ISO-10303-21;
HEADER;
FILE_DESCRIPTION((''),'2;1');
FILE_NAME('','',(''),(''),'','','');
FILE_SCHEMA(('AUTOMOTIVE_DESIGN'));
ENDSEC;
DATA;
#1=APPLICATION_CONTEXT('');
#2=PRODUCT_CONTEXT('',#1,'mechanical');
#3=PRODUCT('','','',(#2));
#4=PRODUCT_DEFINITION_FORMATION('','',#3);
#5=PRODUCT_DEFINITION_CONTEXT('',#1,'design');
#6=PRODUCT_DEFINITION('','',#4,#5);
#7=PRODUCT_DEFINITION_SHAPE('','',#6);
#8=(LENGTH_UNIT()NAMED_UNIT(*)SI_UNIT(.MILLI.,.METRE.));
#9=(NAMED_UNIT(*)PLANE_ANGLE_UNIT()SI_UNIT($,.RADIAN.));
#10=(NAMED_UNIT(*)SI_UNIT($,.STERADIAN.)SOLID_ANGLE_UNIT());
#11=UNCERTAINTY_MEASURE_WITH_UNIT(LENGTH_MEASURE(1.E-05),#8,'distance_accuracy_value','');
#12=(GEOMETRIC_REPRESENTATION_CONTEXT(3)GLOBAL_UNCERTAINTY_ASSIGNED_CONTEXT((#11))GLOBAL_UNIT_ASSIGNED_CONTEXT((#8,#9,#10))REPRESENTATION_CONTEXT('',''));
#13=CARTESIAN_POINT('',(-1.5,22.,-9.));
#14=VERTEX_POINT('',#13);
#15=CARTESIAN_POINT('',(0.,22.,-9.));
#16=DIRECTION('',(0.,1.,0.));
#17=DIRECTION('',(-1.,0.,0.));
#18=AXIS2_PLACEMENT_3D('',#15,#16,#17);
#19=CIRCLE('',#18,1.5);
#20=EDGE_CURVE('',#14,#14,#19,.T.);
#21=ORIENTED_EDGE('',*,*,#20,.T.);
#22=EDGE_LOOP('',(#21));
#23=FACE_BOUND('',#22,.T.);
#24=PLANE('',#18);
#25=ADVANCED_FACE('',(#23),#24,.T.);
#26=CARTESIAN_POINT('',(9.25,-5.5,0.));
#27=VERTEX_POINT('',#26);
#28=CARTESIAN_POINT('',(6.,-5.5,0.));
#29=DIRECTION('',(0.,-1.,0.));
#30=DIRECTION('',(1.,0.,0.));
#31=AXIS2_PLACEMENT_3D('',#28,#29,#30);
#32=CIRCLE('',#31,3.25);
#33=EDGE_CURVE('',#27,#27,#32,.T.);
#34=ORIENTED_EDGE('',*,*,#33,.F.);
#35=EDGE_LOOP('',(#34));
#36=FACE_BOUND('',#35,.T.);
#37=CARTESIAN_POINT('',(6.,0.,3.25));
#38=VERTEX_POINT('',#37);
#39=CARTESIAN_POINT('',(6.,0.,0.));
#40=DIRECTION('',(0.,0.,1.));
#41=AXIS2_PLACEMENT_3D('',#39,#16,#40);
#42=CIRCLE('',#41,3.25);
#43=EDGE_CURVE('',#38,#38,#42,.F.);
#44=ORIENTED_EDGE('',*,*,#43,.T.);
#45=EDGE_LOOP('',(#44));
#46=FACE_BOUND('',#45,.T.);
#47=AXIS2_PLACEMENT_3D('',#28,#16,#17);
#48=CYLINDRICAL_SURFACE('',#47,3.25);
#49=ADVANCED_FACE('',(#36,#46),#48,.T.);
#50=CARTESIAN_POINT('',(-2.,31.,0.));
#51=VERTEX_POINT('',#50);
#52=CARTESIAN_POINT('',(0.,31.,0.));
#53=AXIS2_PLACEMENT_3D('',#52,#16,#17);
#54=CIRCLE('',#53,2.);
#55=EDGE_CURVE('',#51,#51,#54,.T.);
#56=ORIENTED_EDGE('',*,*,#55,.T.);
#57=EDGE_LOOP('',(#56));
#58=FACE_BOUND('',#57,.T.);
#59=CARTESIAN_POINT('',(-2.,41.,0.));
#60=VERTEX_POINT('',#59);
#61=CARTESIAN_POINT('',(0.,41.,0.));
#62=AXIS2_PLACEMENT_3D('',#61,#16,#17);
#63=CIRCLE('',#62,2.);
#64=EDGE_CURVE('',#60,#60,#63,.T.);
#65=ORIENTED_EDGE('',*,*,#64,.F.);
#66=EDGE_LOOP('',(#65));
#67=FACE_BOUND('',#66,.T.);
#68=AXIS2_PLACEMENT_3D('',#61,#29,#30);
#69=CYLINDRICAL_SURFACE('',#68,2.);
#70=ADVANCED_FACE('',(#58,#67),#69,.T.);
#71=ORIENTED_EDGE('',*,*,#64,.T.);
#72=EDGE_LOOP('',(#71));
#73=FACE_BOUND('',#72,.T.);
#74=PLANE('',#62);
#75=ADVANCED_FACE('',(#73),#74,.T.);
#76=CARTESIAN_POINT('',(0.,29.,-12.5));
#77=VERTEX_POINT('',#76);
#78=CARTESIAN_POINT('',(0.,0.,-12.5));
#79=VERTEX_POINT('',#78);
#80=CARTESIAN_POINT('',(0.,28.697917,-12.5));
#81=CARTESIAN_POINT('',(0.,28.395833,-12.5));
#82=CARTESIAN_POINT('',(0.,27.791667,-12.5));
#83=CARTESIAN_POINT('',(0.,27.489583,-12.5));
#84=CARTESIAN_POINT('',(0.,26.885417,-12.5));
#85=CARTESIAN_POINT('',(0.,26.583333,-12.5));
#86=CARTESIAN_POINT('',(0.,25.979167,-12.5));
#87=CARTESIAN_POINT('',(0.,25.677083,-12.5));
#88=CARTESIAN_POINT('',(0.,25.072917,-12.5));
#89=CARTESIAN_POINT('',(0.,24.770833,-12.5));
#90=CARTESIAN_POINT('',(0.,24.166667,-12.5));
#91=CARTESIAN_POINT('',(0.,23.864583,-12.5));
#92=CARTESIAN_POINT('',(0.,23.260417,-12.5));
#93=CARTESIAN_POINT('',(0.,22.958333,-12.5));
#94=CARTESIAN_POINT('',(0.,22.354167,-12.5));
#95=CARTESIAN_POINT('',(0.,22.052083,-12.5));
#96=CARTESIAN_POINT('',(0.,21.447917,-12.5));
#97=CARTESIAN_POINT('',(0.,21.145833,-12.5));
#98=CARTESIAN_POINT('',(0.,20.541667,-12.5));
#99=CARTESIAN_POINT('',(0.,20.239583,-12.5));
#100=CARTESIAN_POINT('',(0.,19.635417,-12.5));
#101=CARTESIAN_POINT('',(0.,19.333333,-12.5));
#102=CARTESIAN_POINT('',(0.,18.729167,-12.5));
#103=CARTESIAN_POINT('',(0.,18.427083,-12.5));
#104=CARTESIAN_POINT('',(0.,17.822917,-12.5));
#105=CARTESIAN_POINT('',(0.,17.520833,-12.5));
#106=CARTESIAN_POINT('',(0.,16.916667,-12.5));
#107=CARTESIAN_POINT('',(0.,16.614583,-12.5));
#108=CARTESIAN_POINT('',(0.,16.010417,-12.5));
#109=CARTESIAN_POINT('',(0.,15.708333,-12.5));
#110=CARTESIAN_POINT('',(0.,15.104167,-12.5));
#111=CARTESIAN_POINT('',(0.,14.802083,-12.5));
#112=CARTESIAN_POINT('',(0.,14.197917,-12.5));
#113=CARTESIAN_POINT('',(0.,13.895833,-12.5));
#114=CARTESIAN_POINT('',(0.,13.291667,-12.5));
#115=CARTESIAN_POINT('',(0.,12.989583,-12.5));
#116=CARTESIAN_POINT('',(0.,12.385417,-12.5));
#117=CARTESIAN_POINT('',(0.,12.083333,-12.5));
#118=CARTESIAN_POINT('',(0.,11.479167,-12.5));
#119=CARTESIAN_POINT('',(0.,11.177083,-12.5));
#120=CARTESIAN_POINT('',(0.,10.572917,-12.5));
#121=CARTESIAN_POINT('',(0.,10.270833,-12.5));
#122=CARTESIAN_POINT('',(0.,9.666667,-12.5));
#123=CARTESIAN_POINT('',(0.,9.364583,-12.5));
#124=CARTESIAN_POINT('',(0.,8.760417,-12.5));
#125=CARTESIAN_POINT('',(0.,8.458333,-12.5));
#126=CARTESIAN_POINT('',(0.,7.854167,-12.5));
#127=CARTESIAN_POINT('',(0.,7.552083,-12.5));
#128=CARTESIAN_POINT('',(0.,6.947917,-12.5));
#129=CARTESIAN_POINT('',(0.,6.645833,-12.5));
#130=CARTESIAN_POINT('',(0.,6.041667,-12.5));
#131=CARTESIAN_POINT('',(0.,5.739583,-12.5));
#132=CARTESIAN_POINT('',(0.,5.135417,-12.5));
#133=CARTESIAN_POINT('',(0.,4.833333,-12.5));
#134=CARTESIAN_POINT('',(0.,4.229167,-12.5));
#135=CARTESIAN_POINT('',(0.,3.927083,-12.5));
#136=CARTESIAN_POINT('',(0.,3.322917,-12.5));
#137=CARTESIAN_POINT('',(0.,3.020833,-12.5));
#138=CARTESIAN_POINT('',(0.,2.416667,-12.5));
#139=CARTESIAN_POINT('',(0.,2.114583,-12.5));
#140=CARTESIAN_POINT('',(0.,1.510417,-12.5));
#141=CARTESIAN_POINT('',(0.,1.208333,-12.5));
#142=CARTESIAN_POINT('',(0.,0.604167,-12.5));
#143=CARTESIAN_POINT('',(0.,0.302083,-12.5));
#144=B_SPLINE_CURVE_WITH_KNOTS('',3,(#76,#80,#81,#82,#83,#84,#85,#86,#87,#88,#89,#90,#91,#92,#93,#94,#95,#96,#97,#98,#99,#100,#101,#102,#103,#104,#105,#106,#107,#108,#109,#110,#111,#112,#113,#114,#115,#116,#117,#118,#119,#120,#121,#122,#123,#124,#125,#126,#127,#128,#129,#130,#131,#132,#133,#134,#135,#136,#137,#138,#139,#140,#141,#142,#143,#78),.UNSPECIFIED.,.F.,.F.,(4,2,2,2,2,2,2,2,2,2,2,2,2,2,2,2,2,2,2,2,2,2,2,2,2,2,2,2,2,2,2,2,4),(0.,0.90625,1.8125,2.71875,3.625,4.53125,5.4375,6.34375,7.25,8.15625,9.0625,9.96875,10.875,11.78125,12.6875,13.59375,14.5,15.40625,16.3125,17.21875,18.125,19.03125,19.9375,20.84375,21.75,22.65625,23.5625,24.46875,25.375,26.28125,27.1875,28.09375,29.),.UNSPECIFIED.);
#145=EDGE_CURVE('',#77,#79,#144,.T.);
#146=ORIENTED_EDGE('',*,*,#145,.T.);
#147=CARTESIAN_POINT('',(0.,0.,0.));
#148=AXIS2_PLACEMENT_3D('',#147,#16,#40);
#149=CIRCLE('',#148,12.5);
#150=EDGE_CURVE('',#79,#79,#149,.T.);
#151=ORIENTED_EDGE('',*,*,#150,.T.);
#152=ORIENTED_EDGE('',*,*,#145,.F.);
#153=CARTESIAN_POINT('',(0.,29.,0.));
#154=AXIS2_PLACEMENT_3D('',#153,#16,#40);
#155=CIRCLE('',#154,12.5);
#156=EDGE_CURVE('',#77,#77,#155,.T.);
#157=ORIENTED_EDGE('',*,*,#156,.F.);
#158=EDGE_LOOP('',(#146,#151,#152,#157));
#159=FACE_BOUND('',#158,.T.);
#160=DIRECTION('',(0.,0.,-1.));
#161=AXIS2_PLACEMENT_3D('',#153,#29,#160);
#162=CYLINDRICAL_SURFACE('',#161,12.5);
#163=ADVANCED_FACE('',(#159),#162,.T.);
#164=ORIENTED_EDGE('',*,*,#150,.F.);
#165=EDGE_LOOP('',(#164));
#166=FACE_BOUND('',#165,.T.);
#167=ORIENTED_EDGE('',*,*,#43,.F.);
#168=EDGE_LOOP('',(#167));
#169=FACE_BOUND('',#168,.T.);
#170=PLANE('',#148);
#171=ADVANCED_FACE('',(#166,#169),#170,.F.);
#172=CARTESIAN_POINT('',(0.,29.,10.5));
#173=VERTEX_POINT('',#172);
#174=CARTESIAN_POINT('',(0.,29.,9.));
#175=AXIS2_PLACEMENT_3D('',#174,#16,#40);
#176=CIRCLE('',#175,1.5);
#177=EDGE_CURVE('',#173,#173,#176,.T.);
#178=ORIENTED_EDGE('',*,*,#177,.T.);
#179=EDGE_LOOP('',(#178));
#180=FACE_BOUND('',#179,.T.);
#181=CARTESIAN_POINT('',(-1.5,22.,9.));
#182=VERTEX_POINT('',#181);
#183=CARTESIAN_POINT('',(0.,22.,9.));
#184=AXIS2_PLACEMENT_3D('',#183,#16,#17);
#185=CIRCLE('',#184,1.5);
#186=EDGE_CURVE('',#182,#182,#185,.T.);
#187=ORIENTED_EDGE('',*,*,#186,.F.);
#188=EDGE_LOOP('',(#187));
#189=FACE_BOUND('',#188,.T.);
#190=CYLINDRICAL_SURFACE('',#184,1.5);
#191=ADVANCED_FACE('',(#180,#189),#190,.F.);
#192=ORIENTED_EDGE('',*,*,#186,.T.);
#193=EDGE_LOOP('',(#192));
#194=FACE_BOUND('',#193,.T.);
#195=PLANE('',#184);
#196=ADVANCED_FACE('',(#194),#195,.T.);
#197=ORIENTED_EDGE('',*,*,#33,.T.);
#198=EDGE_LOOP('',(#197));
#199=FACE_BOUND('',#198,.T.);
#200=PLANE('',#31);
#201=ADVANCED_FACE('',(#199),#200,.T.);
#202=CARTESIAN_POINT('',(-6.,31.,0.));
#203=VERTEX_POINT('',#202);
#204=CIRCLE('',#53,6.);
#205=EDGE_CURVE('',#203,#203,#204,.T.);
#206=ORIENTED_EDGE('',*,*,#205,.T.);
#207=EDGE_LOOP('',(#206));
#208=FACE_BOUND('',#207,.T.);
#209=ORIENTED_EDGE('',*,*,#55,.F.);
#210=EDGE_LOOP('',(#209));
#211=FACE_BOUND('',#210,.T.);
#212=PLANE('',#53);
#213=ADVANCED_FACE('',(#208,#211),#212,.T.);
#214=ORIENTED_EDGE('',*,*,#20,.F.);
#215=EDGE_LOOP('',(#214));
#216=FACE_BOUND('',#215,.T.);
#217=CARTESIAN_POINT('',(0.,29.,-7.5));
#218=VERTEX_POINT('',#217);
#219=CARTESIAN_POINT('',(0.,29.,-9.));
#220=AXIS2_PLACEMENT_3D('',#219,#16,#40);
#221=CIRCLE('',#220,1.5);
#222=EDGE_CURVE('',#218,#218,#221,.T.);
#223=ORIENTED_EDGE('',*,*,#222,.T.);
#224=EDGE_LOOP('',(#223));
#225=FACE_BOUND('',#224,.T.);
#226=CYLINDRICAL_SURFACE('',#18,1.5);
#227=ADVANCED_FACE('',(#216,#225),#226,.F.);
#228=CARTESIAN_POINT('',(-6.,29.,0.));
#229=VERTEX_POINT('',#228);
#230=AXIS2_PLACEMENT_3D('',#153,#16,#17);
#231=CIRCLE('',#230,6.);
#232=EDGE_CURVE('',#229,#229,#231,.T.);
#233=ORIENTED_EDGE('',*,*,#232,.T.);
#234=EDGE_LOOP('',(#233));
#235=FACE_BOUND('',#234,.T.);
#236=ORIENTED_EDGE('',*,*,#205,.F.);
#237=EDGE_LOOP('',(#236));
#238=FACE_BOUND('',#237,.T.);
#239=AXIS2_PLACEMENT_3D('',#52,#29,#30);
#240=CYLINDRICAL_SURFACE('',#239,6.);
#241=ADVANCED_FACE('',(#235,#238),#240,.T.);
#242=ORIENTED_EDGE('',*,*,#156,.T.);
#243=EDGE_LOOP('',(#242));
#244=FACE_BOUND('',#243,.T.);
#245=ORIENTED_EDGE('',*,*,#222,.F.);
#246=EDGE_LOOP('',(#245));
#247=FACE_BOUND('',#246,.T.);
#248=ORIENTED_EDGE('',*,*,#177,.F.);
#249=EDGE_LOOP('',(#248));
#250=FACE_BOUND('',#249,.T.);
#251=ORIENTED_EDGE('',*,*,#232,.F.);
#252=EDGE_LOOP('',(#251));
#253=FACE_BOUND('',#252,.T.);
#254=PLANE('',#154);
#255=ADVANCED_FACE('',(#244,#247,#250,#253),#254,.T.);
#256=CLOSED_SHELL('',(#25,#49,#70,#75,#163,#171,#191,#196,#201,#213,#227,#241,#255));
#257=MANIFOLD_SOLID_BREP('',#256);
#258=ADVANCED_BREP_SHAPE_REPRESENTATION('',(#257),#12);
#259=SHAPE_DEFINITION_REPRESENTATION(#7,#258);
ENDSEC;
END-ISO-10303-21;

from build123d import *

# Parameters (mm, degrees)
SKETCH_1_R          = 12.5
EXTRUDE_3_DEPTH     = 29
SKETCH_4_R          = 6
EXTRUDE_4_DEPTH     = 2
SKETCH_5_R          = 2
EXTRUDE_5_DEPTH     = 10
SKETCH_6_R          = 1.5
CUT_EXTRUDE_1_DEPTH = 19
SKETCH_7_R          = 3.25
EXTRUDE_6_DEPTH     = 5.5


with BuildPart() as part:
    # 草图1 → 凸台-拉伸3 (new body)
    with BuildSketch(Plane(origin=(0, 0, 0), x_dir=(0, 0, -1), z_dir=(0, 1, 0))):
        Circle(SKETCH_1_R)
    extrude(amount=EXTRUDE_3_DEPTH)

    # 草图4 → 凸台-拉伸4 (add)
    with BuildSketch(Plane(origin=(0, 29, 0), x_dir=(0, 0, -1), z_dir=(0, 1, 0))):
        with Locations(Location((0, 0, 0), (0, 0, 90))):
            Circle(SKETCH_4_R)
    extrude(amount=EXTRUDE_4_DEPTH)

    # 草图5 → 凸台-拉伸5 (add)
    with BuildSketch(Plane(origin=(0, 31, 0), x_dir=(0, 0, -1), z_dir=(0, 1, 0))):
        with Locations(Location((0, 0, 0), (0, 0, 90))):
            Circle(SKETCH_5_R)
    extrude(amount=EXTRUDE_5_DEPTH)

    # 草图6 → 切除-拉伸1 (cut)
    with BuildSketch(Plane(origin=(0, 41, 0), x_dir=(0, 0, -1), z_dir=(0, 1, 0))):
        with Locations(Location((-9, 0, 0), (0, 0, 90))):
            Circle(SKETCH_6_R)
        with Locations(Location((9, 0, 0), (0, 0, 90))):
            Circle(SKETCH_6_R)
    extrude(amount=-CUT_EXTRUDE_1_DEPTH, mode=Mode.SUBTRACT)

    # 草图7 → 凸台-拉伸6 (add)
    with BuildSketch(Plane(origin=(0, 0, 0), x_dir=(0, 0, 1), z_dir=(0, -1, 0))):
        with Locations((0, -6)):
            Circle(SKETCH_7_R)
    extrude(amount=EXTRUDE_6_DEPTH)


solid = part.part
